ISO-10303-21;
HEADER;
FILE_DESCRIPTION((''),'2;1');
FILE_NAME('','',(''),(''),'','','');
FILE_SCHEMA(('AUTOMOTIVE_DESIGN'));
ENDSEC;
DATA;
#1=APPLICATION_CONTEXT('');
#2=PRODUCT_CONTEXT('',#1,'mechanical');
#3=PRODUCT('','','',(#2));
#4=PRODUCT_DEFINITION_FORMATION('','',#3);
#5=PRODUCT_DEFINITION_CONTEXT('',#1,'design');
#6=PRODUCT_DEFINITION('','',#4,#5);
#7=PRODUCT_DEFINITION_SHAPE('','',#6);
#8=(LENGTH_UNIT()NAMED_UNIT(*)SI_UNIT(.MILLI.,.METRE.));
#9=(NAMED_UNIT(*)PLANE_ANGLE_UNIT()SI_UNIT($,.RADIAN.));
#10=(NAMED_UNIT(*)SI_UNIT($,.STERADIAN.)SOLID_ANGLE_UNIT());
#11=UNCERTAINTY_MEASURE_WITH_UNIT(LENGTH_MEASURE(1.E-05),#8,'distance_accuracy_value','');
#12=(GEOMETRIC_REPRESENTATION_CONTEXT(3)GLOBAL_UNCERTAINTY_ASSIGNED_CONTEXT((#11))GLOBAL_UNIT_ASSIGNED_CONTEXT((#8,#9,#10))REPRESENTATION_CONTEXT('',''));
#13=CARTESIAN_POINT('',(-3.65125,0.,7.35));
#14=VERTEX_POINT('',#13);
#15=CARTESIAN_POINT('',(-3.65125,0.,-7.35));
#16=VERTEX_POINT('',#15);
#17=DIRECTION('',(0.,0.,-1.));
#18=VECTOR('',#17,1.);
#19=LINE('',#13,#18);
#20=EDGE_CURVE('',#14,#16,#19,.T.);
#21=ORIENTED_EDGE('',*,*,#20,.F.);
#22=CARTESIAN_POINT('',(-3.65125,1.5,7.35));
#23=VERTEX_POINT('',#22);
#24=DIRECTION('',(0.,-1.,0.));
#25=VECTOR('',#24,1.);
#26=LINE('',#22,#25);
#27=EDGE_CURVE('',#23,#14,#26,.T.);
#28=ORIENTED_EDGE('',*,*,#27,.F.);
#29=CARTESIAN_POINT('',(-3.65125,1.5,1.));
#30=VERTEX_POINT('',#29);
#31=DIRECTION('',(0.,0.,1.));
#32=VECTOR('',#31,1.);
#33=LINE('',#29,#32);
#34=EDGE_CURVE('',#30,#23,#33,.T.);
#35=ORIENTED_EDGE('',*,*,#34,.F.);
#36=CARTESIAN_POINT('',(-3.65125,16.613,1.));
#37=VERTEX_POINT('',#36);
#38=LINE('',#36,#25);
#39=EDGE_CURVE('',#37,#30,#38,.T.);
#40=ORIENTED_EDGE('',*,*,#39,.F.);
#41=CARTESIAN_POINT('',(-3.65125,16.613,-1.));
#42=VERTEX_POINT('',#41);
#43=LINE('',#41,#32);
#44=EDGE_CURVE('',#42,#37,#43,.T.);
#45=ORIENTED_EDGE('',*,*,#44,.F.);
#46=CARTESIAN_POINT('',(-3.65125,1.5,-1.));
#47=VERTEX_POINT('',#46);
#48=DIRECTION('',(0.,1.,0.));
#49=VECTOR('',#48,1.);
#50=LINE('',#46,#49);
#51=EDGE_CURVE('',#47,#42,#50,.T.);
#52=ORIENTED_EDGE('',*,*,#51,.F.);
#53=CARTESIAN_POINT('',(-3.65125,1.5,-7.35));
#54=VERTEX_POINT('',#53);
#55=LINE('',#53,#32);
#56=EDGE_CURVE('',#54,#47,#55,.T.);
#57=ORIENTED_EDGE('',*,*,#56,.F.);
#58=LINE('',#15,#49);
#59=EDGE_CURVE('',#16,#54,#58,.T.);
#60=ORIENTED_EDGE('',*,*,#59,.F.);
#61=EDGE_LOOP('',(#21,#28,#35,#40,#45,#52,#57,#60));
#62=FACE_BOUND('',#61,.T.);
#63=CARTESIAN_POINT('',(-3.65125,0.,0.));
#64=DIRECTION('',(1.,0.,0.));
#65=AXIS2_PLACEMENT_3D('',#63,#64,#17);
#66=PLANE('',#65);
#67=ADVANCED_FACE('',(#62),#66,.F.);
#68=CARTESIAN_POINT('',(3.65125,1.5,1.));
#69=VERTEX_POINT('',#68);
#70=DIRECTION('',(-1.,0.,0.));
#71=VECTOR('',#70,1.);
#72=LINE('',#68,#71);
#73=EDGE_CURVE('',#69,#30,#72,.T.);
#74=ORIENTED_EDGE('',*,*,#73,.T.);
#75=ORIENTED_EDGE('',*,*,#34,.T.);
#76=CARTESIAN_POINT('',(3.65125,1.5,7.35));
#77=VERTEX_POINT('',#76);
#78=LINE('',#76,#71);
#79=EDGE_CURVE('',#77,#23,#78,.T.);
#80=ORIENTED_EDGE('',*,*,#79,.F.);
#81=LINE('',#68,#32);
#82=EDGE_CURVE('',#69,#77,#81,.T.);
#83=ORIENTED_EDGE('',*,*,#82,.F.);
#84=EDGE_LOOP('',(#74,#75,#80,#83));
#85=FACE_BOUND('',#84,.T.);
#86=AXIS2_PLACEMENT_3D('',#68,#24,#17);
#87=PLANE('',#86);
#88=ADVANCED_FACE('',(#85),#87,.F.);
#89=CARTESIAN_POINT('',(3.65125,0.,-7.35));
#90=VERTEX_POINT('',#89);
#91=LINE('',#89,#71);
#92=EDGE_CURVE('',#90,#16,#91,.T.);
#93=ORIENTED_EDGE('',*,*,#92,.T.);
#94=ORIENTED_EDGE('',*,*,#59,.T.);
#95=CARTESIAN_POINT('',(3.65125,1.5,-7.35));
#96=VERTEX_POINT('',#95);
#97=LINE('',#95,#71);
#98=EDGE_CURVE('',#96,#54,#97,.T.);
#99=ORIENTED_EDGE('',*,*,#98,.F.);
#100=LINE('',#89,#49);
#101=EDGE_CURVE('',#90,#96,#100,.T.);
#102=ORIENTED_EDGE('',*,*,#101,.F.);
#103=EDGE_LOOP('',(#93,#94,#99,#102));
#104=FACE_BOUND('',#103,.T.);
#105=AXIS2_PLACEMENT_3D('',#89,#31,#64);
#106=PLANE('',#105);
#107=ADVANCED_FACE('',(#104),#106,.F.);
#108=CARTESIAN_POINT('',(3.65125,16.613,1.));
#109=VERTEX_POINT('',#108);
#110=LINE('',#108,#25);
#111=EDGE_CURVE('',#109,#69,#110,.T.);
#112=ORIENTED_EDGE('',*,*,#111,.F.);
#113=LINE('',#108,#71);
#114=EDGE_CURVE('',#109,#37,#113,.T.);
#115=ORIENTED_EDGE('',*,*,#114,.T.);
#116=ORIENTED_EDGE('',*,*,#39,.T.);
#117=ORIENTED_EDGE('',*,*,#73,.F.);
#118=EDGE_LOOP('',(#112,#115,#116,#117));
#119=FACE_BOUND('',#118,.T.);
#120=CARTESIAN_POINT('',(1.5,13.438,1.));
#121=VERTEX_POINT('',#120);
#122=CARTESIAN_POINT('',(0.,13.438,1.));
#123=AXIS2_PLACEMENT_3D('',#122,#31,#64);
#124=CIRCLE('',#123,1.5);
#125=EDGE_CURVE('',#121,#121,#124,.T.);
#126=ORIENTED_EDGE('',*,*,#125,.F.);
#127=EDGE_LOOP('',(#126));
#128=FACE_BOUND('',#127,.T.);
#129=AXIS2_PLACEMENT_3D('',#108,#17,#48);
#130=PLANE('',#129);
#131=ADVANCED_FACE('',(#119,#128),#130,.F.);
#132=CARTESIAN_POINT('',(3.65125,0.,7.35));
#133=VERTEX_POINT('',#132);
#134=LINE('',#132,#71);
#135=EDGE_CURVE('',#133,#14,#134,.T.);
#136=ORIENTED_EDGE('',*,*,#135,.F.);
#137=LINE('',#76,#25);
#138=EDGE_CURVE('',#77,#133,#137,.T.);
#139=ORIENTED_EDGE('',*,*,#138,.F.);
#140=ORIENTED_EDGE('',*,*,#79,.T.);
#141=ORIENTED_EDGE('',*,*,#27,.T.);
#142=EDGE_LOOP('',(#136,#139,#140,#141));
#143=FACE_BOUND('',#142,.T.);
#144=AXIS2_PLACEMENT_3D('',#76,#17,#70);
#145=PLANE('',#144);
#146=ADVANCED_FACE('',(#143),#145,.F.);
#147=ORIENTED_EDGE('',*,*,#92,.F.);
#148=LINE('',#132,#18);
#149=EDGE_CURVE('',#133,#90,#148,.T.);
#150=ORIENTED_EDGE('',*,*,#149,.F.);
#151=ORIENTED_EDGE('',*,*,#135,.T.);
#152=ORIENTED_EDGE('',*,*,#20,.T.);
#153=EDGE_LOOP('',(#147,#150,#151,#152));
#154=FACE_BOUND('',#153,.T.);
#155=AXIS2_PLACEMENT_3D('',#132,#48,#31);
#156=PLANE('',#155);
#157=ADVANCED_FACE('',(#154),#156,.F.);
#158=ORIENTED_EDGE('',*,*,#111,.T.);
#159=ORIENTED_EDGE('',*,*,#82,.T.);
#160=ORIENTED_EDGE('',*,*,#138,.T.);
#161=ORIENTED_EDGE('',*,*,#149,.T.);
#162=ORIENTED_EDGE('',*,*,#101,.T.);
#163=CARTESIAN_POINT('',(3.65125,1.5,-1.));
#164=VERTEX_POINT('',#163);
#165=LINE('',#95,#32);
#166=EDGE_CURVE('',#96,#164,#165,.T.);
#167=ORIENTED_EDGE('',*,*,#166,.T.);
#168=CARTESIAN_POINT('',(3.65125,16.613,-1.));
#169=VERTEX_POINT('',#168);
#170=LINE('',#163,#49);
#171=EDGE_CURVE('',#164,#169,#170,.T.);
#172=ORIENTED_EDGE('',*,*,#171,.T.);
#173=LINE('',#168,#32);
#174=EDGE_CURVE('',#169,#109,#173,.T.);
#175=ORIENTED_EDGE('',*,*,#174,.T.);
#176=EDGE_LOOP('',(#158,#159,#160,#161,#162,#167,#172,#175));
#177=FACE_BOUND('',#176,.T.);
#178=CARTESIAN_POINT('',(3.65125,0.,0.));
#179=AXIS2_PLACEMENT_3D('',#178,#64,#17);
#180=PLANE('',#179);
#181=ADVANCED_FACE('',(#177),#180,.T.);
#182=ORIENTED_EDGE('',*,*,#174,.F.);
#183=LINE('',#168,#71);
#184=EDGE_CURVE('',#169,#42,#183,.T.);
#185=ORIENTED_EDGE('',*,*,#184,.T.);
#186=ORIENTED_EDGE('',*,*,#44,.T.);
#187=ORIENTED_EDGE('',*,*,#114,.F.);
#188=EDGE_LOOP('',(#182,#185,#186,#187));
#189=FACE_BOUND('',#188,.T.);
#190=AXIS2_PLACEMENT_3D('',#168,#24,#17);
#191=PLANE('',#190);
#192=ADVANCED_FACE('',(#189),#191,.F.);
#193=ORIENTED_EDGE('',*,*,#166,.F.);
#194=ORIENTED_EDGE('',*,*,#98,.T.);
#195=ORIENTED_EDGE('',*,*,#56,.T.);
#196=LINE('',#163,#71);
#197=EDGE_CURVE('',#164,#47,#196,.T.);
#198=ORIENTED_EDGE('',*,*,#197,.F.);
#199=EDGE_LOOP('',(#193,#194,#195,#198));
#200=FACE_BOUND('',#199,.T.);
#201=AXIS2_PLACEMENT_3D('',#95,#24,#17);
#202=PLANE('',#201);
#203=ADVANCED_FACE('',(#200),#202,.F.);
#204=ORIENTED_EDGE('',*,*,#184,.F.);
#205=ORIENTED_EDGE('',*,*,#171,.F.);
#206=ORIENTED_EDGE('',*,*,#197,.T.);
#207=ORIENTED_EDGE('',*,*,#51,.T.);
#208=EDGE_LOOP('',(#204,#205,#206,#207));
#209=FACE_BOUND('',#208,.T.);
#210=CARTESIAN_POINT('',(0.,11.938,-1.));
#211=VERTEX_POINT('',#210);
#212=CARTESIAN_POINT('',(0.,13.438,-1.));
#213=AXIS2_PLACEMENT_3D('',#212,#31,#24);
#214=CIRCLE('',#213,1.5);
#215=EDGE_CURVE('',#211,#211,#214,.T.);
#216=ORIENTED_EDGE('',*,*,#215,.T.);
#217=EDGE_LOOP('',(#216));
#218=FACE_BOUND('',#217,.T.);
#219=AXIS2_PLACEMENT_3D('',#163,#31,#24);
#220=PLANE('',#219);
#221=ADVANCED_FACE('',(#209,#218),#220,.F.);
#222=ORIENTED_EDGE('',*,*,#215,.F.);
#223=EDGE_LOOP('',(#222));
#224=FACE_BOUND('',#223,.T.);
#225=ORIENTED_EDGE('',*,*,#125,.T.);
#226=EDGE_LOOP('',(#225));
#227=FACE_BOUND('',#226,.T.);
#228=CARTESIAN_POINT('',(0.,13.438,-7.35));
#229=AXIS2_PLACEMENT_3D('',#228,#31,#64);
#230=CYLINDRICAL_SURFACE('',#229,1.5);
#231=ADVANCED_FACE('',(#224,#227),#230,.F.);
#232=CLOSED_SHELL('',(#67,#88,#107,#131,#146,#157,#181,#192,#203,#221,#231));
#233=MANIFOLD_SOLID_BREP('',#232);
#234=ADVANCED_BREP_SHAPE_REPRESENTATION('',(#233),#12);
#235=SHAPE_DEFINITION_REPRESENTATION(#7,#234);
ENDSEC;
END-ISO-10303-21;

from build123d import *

# Parameters (mm, degrees)
BOSS_EXTRUDE1_DEPTH = 3.65125
SKETCH3_R           = 1.5
CUT_EXTRUDE1_DEPTH  = 19.94850642


with BuildPart() as part:
    # Sketch1 → Boss-Extrude1 (new, symmetric)
    with BuildSketch(Plane(origin=(0, 0, 0), x_dir=(0, 0, -1), z_dir=(1, 0, 0))):
        Polygon((-7.35, 0), (7.35, 0), (7.35, 1.5), (1, 1.5), (1, 16.613), (-1, 16.613), (-1, 1.5), (-7.35, 1.5), align=None)
    extrude(amount=BOSS_EXTRUDE1_DEPTH, both=True)

    # Sketch3 → Cut-Extrude1 (cut, through all)
    with BuildSketch(Plane.XY.offset(1)):
        with Locations((0, 13.438)):
            Circle(SKETCH3_R)
    extrude(amount=-CUT_EXTRUDE1_DEPTH, mode=Mode.SUBTRACT)


solid = part.part
